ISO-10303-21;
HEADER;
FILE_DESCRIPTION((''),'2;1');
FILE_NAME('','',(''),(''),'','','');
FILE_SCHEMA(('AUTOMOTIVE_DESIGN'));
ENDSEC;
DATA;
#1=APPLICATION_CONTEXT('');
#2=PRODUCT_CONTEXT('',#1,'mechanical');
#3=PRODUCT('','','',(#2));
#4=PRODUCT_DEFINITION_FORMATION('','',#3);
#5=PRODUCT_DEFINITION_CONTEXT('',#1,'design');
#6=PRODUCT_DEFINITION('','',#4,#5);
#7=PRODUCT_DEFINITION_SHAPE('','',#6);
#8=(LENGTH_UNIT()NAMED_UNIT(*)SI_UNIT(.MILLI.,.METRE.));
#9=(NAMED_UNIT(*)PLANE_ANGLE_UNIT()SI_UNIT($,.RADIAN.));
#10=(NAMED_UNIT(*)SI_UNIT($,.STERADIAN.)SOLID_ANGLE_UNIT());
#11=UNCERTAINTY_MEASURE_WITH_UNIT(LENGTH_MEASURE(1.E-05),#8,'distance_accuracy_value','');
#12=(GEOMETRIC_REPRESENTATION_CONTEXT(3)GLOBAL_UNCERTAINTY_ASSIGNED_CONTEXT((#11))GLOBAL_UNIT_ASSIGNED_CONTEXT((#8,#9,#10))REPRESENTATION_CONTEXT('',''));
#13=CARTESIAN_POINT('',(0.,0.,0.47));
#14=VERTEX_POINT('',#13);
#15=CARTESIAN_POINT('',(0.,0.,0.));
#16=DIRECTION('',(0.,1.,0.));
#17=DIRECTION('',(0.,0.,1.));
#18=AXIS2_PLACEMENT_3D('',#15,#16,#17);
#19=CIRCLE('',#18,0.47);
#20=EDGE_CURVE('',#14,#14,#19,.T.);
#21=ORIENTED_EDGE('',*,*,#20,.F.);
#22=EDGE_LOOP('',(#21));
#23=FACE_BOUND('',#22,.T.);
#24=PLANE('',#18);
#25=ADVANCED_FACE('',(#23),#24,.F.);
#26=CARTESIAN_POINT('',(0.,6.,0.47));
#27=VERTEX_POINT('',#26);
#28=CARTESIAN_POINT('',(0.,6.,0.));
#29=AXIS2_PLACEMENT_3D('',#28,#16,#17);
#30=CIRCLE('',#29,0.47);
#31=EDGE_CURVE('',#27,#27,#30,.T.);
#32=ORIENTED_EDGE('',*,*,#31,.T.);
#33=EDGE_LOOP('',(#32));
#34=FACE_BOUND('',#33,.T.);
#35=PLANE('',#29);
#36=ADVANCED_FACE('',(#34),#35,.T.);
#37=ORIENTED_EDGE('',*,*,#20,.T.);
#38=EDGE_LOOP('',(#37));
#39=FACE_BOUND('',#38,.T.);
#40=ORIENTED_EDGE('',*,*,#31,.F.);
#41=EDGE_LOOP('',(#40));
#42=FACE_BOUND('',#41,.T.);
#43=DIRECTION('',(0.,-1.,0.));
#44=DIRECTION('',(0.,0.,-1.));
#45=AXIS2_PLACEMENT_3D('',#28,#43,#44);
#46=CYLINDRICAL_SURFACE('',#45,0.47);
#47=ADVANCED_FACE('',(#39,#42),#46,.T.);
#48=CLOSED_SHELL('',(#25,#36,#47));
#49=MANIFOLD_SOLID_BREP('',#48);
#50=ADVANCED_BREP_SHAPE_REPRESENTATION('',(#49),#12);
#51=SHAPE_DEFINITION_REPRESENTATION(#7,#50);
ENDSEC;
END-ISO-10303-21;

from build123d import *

# Parameters (mm, degrees)
SKETCH3_R           = 0.47
BOSS_EXTRUDE1_DEPTH = 6


with BuildPart() as part:
    # Sketch3 → Boss-Extrude1 (new body)
    with BuildSketch(Plane(origin=(0, 0, 0), x_dir=(1, 0, 0), z_dir=(0, 1, 0))):
        Circle(SKETCH3_R)
    extrude(amount=BOSS_EXTRUDE1_DEPTH)


solid = part.part
